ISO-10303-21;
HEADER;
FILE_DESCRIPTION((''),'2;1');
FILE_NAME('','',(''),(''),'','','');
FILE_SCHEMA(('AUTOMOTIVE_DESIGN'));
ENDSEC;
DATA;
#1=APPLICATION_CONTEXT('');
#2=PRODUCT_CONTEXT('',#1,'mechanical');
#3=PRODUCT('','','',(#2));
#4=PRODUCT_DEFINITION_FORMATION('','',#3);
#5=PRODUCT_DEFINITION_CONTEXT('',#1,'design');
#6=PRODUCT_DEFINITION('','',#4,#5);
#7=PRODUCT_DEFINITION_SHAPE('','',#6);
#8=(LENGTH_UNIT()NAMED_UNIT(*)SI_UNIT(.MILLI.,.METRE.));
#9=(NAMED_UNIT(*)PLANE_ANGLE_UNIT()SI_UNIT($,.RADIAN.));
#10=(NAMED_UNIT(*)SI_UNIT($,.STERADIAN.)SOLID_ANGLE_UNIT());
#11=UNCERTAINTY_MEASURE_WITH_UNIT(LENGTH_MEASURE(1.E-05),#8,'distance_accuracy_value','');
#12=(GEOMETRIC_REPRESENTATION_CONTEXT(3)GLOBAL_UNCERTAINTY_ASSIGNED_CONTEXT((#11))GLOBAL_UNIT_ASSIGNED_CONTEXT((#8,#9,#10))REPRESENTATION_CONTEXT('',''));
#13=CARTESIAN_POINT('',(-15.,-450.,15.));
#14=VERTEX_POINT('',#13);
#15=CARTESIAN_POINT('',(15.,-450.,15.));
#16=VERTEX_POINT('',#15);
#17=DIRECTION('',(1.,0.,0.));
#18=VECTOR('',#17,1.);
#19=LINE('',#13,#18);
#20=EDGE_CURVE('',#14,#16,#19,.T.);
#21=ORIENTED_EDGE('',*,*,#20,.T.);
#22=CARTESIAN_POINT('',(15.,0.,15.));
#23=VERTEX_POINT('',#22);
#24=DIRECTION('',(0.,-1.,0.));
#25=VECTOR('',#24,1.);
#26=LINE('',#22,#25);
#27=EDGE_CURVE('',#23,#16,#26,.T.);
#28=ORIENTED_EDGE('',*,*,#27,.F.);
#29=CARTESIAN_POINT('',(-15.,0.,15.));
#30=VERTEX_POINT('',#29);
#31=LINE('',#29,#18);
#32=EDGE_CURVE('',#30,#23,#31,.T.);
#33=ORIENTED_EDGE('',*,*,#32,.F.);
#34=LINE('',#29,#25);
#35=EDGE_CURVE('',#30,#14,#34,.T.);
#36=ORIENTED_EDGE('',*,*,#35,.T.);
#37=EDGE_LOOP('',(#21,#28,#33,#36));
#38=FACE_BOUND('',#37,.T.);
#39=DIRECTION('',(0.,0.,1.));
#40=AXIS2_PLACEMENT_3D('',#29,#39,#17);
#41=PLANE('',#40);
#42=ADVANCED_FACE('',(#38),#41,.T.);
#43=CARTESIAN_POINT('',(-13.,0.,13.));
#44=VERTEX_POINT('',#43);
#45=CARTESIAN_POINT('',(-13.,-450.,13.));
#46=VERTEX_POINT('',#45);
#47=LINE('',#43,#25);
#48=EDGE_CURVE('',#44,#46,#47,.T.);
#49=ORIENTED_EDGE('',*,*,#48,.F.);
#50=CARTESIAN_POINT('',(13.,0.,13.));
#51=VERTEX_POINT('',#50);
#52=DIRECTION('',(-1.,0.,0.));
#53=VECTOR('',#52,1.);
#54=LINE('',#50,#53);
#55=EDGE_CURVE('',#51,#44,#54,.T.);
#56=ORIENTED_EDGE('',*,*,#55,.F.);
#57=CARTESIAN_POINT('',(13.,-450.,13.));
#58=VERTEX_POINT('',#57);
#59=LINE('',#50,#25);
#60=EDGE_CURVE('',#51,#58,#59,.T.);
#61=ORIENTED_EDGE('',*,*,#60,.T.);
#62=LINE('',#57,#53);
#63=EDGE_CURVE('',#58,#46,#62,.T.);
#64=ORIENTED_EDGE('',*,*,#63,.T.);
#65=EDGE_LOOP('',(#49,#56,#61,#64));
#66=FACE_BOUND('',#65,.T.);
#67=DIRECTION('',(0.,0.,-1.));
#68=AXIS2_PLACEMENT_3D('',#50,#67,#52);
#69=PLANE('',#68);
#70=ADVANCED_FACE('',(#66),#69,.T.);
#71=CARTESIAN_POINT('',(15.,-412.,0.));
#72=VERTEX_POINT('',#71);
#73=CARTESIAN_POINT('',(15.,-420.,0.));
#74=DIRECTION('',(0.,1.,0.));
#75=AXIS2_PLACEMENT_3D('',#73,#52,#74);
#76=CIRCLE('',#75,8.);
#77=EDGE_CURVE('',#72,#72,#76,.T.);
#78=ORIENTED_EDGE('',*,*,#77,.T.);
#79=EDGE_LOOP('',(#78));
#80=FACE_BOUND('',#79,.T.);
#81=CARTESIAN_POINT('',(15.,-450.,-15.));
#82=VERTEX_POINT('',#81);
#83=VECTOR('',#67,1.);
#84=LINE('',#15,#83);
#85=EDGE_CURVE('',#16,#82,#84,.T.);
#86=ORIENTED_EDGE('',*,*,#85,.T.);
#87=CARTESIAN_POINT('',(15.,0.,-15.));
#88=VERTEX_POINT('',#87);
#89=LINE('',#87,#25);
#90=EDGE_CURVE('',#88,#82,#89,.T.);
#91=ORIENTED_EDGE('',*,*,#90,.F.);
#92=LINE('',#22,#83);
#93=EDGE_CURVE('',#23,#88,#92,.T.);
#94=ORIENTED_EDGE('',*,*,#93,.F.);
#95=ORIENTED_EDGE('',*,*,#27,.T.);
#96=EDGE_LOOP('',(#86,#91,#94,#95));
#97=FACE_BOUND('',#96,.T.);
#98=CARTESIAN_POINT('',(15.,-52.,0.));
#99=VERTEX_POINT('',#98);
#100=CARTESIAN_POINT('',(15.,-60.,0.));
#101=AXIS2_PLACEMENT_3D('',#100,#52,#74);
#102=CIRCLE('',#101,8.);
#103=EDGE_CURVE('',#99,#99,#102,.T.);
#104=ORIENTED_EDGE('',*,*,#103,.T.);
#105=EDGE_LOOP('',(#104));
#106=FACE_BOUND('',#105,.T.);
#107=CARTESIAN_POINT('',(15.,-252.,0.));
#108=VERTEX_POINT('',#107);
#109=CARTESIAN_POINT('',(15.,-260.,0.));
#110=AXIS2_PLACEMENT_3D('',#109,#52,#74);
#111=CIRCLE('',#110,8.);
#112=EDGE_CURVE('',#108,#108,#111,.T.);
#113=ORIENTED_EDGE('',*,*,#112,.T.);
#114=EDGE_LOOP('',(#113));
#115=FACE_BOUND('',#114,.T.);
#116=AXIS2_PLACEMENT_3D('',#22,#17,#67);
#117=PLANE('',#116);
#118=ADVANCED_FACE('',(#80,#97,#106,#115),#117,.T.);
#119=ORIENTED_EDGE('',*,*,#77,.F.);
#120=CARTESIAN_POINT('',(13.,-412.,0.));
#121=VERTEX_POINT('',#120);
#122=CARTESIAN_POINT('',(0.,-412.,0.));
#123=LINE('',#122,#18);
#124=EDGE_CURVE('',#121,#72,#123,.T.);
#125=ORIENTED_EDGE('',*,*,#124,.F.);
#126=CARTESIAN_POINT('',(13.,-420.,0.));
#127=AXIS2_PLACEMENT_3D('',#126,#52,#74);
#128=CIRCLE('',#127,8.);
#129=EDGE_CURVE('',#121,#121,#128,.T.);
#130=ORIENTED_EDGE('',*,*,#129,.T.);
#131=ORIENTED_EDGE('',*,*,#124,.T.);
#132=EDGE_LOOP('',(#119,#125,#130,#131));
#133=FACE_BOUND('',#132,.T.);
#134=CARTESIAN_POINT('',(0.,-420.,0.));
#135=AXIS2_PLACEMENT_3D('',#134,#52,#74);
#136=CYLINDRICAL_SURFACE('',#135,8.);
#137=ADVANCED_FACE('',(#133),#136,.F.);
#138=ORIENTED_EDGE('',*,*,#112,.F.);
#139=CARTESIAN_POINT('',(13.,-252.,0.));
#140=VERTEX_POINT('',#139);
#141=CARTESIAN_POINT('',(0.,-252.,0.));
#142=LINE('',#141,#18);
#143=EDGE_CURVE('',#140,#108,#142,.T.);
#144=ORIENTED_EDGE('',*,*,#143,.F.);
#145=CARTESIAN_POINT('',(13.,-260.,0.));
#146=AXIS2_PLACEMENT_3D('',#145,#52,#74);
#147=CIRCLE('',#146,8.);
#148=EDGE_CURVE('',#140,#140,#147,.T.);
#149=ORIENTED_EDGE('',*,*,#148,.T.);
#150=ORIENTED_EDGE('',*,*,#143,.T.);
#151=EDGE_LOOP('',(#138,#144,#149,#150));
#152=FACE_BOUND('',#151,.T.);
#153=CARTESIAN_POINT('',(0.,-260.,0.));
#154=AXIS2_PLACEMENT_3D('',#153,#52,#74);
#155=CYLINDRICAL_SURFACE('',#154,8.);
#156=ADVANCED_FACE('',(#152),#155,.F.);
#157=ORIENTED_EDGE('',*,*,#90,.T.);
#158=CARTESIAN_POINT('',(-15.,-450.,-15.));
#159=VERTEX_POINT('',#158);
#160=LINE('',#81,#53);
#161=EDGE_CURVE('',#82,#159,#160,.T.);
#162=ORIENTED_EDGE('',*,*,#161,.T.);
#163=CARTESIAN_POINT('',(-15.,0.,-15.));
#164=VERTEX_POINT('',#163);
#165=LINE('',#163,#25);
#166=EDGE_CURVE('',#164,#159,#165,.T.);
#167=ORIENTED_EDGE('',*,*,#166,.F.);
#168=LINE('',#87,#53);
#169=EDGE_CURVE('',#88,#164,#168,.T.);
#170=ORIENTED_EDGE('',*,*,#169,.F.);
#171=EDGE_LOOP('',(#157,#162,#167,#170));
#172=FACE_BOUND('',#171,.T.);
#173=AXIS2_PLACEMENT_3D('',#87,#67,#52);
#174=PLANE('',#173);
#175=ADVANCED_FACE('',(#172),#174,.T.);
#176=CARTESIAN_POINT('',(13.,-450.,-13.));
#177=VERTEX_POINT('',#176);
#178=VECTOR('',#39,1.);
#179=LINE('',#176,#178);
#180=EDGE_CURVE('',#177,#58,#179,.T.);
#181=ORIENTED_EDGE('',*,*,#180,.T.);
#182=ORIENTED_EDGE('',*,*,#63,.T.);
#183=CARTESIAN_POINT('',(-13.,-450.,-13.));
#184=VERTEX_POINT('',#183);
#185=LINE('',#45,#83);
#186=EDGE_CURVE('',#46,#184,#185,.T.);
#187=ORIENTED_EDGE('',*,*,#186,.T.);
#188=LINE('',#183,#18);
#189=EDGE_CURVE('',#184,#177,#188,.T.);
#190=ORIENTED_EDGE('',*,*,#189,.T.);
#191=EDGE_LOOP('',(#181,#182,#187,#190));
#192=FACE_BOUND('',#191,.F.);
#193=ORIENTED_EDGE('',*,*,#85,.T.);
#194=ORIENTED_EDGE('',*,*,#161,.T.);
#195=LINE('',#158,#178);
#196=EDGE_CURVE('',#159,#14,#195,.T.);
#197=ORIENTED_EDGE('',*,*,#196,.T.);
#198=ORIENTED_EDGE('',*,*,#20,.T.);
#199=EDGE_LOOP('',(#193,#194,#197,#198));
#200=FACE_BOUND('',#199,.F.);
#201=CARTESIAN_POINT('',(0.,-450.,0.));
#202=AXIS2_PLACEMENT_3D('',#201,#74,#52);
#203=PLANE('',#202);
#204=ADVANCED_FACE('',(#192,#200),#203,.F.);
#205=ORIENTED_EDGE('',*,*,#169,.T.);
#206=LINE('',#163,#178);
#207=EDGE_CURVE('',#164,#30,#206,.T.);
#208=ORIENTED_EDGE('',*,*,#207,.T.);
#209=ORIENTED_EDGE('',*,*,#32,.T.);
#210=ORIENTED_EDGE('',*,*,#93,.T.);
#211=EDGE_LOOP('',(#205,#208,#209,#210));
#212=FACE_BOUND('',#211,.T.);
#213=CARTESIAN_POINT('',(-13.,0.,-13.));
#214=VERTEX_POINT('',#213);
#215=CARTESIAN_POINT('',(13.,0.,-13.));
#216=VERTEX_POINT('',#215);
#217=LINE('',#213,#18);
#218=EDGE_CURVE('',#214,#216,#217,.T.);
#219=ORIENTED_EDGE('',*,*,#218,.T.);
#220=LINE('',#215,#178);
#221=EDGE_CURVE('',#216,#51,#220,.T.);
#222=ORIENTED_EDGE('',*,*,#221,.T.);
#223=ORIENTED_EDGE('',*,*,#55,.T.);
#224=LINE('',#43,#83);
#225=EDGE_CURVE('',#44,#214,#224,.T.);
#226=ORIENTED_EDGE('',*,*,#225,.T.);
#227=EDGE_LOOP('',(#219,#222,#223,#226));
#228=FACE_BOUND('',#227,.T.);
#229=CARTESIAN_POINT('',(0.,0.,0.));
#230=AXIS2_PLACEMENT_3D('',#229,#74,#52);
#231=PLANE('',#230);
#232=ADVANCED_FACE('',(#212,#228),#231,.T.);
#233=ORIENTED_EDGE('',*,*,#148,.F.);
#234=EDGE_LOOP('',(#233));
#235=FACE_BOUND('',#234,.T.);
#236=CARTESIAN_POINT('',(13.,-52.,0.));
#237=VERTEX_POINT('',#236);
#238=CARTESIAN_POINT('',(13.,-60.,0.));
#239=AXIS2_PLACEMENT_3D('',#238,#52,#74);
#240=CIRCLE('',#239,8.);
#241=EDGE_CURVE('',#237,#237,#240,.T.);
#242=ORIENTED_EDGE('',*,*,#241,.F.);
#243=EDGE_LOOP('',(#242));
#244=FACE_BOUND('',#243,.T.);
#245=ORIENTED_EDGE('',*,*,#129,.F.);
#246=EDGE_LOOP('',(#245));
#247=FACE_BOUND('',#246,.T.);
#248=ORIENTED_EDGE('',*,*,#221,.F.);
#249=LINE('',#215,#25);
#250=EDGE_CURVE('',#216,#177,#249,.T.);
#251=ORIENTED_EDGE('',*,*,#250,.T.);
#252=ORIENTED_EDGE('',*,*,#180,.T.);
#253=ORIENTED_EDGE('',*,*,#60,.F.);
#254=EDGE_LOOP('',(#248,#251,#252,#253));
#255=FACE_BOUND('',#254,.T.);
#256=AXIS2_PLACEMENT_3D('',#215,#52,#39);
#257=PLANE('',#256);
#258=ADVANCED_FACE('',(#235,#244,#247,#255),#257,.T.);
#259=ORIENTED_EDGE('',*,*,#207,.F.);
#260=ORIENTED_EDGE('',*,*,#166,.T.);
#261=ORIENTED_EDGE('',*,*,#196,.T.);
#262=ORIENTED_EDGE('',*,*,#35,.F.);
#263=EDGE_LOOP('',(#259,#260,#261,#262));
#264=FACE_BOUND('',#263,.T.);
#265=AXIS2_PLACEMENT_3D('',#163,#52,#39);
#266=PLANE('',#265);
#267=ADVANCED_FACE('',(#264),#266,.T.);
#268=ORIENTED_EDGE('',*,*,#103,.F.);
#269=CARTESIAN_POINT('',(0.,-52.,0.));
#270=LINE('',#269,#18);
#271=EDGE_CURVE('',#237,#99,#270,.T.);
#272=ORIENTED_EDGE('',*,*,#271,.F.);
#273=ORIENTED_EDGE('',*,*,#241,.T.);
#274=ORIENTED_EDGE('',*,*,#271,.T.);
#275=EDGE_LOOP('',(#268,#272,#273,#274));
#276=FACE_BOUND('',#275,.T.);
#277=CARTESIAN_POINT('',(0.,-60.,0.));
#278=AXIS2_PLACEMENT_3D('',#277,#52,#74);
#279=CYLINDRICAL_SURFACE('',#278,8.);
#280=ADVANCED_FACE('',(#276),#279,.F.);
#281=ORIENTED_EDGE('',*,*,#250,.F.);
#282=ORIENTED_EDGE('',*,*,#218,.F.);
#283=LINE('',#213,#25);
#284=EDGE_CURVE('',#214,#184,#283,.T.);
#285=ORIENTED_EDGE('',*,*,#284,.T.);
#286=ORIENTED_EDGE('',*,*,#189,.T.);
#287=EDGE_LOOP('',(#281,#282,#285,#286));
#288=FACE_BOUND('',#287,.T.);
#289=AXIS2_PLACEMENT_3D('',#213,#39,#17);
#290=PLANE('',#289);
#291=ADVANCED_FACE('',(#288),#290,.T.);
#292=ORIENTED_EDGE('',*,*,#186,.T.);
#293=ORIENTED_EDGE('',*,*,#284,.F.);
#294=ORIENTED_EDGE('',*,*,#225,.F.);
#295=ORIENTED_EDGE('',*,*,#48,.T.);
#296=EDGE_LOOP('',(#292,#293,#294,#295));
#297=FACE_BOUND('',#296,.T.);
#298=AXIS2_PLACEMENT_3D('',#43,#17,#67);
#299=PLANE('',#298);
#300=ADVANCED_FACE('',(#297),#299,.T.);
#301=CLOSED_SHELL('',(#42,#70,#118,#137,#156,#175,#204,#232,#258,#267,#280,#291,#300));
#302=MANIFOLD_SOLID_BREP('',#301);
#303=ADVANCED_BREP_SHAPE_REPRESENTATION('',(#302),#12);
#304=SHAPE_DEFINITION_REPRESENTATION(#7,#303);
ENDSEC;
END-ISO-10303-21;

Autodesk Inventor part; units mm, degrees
ref_plane "YZ Plane" through (0, 0, 0) normal (1, 0, 0) x (0, 1, 0)
ref_plane "XZ Plane" through (0, 0, 0) normal (0, 1, 0) x (-1, 0, 0)
ref_plane "XY Plane" through (0, 0, 0) normal (0, 0, 1) x (1, 0, 0)
sketch "Sketch9" plane through (0, 0, 0) normal (0, 1, 0) x (-1, 0, 0)
  line L0 (15, 15) -> (-15, 15)
  line L1 (-15, 15) -> (-15, -15)
  line L2 (-15, -15) -> (15, -15)
  line L3 (15, -15) -> (15, 15)
  line L4 (15, 15) -> (-15, -15) construction
  line L5 (-15, 15) -> (15, -15) construction
  line L6 (-13, 13) -> (13, 13)
  line L7 (13, 13) -> (13, -13)
  line L8 (13, -13) -> (-13, -13)
  line L9 (-13, -13) -> (-13, 13)
  point P0 (0, 0)
  dimension "d172" = 30
  dimension "d173" = 30
  dimension "d174" = 2
extrude "Extrusion3" add sketch "Sketch9" against normal blind 450
sketch "Sketch10" plane through (0, 0, 0) normal (1, 0, 0) x (0, 1, 0)
  line L0 (0, 15) -> (0, -15) construction
  line L1 (0, 15) -> (-450, 15) construction
  line L2 (-450, -15) -> (-450, 15) construction
  line L3 (0, -15) -> (-450, -15) construction
  line L4 (-68, 8) -> (-52, 8)
  line L5 (-52, 8) -> (-52, -8)
  line L6 (-52, -8) -> (-68, -8)
  line L7 (-68, -8) -> (-68, 8)
  line L8 (-68, 8) -> (-52, -8) construction
  line L9 (-52, 8) -> (-68, -8) construction
  line L10 (-268, 8) -> (-252, 8)
  line L11 (-252, 8) -> (-252, -8)
  line L12 (-252, -8) -> (-268, -8)
  line L13 (-268, -8) -> (-268, 8)
  line L14 (-268, 8) -> (-252, -8) construction
  line L15 (-252, 8) -> (-268, -8) construction
  line L16 (-428, 8) -> (-412, 8)
  line L17 (-412, 8) -> (-412, -8)
  line L18 (-412, -8) -> (-428, -8)
  line L19 (-428, -8) -> (-428, 8)
  line L20 (-428, 8) -> (-412, -8) construction
  line L21 (-412, 8) -> (-428, -8) construction
  circle A0 centre (-470, 0) radius 8
  line L22 (0, 0) -> (30, 0)
  circle A1 centre (-60, 0) radius 8
  circle A2 centre (-260, 0) radius 8
  circle A3 centre (-420, 0) radius 8
  dimension "d177" = 16
  dimension "d178" = 16
  dimension "d181" = 30
  dimension "d182" = 90
  dimension "d183" = 290
  dimension "d184" = 450
  dimension "d185" = 500
  dimension "d186" = 16
extrude "Extrusion4" cut sketch "Sketch10" along normal through all contours A1 | A2 | A3
properties part number "PNS 755 FDS 1200 way tube 2" material "Stainless Steel"
